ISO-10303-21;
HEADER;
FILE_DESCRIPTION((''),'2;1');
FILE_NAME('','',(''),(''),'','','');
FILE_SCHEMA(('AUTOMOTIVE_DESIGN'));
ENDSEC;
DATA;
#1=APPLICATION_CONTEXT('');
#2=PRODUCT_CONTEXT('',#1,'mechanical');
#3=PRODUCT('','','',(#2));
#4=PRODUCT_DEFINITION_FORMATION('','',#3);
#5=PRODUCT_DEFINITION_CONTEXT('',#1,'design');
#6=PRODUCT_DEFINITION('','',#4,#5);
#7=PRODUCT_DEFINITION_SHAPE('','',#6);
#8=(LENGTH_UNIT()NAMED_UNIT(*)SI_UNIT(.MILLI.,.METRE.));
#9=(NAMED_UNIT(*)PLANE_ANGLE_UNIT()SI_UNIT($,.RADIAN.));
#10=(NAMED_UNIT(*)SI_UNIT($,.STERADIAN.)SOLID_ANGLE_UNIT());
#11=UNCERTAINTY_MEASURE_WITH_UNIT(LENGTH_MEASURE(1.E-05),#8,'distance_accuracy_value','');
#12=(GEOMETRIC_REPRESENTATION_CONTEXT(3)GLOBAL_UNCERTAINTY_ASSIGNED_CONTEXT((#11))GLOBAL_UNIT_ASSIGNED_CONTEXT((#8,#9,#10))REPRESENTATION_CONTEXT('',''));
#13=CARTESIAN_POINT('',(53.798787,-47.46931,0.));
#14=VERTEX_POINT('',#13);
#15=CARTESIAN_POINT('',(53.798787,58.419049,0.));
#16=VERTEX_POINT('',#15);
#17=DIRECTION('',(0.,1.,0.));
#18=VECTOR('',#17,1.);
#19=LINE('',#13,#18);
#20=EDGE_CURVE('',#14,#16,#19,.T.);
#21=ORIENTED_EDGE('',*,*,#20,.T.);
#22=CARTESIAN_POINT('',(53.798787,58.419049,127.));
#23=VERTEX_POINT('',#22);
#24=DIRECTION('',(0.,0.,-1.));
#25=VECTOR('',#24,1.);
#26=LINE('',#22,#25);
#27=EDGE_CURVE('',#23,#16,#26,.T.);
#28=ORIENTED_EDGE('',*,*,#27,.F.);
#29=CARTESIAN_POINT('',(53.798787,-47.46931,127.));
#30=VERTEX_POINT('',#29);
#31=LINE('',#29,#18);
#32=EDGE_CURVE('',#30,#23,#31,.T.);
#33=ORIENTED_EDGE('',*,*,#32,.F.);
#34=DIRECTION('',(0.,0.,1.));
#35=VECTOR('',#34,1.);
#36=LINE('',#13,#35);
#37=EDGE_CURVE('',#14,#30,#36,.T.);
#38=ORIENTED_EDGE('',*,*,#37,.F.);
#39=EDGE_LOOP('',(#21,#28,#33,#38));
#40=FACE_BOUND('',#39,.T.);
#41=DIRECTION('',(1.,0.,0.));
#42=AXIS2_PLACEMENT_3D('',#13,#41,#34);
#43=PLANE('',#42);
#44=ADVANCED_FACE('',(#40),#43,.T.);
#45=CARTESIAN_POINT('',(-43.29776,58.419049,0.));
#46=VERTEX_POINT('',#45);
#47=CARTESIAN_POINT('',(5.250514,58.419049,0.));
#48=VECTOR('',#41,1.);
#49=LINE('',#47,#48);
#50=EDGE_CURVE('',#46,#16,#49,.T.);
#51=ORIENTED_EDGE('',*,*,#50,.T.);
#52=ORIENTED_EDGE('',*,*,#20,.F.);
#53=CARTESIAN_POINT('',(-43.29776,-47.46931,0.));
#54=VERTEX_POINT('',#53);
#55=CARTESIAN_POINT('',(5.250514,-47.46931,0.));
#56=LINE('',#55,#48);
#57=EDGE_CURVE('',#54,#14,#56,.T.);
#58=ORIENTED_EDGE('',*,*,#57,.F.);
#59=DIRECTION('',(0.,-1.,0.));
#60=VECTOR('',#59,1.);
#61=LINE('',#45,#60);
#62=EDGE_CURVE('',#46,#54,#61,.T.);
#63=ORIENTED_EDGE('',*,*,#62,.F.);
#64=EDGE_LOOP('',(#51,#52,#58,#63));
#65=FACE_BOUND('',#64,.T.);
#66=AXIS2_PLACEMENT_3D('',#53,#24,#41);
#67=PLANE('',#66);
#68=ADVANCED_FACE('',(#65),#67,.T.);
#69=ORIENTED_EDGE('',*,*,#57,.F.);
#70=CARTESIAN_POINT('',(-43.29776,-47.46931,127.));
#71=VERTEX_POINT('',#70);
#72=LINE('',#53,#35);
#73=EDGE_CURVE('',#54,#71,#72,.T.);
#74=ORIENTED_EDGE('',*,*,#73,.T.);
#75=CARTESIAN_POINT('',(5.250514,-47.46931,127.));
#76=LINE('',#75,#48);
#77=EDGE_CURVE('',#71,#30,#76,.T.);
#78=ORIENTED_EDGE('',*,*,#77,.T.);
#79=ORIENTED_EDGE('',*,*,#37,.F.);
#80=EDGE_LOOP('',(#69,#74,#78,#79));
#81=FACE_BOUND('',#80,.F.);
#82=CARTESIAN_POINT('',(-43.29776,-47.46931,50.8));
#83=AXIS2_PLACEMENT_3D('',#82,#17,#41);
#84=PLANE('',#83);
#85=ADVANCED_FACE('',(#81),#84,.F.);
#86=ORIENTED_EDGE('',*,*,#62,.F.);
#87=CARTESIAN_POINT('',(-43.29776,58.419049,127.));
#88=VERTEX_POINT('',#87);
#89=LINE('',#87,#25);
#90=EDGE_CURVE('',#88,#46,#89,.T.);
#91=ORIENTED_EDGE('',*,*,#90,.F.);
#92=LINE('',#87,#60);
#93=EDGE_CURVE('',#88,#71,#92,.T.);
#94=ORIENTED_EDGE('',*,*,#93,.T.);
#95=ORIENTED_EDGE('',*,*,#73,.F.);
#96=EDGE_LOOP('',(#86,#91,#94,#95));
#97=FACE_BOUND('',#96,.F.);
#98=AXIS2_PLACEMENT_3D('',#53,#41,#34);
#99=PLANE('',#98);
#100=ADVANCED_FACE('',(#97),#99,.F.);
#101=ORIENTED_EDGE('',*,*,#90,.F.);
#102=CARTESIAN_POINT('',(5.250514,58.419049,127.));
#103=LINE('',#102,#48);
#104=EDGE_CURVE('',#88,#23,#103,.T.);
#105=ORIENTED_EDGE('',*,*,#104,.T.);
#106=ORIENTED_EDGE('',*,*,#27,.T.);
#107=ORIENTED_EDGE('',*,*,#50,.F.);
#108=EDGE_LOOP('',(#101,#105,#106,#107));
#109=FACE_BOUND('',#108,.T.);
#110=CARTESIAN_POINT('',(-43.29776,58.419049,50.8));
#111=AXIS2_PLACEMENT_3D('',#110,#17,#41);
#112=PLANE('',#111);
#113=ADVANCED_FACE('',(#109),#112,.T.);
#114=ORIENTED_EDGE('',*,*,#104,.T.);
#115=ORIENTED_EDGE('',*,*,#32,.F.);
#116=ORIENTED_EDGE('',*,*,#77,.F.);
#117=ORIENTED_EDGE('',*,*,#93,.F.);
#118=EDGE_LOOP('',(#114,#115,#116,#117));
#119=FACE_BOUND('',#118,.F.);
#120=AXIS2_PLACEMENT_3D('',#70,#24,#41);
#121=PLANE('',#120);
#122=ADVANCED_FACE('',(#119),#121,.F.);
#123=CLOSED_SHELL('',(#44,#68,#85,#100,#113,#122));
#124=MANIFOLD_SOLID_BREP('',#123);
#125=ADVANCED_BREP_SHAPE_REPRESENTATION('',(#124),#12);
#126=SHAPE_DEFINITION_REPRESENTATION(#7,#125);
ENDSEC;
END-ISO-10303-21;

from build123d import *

# Parameters (mm, degrees)
F0_W     = 97.0965474844
F0_H     = 105.8883592486
F1_DEPTH = 50.8
F2_W     = 97.0965474844
F2_H     = 105.8883592486
F3_DEPTH = 76.2
F4_DEPTH = 50.8


with BuildPart() as f1:
    # F0 (on Top) → F1 (new body)
    with BuildSketch(Plane.XY):
        with Locations((5.2505135536, 5.4748691618)):
            Rectangle(F0_W, F0_H)
    extrude(amount=F1_DEPTH)

    # F2 (on face) → F3 (join)
    with BuildSketch(Plane.XY.offset(50.8)):
        with Locations((5.2505135536, 5.4748691618)):
            Rectangle(F2_W, F2_H)
    extrude(amount=F3_DEPTH)

    # F4 (add): a face of the model
    f4_faces = [f1.faces().sort_by_distance(p)[0] for p in [
        (5.2505135536, -47.4693104625, 63.5),
    ]]
    extrude(f4_faces, amount=-F4_DEPTH)


solid = f1.part
